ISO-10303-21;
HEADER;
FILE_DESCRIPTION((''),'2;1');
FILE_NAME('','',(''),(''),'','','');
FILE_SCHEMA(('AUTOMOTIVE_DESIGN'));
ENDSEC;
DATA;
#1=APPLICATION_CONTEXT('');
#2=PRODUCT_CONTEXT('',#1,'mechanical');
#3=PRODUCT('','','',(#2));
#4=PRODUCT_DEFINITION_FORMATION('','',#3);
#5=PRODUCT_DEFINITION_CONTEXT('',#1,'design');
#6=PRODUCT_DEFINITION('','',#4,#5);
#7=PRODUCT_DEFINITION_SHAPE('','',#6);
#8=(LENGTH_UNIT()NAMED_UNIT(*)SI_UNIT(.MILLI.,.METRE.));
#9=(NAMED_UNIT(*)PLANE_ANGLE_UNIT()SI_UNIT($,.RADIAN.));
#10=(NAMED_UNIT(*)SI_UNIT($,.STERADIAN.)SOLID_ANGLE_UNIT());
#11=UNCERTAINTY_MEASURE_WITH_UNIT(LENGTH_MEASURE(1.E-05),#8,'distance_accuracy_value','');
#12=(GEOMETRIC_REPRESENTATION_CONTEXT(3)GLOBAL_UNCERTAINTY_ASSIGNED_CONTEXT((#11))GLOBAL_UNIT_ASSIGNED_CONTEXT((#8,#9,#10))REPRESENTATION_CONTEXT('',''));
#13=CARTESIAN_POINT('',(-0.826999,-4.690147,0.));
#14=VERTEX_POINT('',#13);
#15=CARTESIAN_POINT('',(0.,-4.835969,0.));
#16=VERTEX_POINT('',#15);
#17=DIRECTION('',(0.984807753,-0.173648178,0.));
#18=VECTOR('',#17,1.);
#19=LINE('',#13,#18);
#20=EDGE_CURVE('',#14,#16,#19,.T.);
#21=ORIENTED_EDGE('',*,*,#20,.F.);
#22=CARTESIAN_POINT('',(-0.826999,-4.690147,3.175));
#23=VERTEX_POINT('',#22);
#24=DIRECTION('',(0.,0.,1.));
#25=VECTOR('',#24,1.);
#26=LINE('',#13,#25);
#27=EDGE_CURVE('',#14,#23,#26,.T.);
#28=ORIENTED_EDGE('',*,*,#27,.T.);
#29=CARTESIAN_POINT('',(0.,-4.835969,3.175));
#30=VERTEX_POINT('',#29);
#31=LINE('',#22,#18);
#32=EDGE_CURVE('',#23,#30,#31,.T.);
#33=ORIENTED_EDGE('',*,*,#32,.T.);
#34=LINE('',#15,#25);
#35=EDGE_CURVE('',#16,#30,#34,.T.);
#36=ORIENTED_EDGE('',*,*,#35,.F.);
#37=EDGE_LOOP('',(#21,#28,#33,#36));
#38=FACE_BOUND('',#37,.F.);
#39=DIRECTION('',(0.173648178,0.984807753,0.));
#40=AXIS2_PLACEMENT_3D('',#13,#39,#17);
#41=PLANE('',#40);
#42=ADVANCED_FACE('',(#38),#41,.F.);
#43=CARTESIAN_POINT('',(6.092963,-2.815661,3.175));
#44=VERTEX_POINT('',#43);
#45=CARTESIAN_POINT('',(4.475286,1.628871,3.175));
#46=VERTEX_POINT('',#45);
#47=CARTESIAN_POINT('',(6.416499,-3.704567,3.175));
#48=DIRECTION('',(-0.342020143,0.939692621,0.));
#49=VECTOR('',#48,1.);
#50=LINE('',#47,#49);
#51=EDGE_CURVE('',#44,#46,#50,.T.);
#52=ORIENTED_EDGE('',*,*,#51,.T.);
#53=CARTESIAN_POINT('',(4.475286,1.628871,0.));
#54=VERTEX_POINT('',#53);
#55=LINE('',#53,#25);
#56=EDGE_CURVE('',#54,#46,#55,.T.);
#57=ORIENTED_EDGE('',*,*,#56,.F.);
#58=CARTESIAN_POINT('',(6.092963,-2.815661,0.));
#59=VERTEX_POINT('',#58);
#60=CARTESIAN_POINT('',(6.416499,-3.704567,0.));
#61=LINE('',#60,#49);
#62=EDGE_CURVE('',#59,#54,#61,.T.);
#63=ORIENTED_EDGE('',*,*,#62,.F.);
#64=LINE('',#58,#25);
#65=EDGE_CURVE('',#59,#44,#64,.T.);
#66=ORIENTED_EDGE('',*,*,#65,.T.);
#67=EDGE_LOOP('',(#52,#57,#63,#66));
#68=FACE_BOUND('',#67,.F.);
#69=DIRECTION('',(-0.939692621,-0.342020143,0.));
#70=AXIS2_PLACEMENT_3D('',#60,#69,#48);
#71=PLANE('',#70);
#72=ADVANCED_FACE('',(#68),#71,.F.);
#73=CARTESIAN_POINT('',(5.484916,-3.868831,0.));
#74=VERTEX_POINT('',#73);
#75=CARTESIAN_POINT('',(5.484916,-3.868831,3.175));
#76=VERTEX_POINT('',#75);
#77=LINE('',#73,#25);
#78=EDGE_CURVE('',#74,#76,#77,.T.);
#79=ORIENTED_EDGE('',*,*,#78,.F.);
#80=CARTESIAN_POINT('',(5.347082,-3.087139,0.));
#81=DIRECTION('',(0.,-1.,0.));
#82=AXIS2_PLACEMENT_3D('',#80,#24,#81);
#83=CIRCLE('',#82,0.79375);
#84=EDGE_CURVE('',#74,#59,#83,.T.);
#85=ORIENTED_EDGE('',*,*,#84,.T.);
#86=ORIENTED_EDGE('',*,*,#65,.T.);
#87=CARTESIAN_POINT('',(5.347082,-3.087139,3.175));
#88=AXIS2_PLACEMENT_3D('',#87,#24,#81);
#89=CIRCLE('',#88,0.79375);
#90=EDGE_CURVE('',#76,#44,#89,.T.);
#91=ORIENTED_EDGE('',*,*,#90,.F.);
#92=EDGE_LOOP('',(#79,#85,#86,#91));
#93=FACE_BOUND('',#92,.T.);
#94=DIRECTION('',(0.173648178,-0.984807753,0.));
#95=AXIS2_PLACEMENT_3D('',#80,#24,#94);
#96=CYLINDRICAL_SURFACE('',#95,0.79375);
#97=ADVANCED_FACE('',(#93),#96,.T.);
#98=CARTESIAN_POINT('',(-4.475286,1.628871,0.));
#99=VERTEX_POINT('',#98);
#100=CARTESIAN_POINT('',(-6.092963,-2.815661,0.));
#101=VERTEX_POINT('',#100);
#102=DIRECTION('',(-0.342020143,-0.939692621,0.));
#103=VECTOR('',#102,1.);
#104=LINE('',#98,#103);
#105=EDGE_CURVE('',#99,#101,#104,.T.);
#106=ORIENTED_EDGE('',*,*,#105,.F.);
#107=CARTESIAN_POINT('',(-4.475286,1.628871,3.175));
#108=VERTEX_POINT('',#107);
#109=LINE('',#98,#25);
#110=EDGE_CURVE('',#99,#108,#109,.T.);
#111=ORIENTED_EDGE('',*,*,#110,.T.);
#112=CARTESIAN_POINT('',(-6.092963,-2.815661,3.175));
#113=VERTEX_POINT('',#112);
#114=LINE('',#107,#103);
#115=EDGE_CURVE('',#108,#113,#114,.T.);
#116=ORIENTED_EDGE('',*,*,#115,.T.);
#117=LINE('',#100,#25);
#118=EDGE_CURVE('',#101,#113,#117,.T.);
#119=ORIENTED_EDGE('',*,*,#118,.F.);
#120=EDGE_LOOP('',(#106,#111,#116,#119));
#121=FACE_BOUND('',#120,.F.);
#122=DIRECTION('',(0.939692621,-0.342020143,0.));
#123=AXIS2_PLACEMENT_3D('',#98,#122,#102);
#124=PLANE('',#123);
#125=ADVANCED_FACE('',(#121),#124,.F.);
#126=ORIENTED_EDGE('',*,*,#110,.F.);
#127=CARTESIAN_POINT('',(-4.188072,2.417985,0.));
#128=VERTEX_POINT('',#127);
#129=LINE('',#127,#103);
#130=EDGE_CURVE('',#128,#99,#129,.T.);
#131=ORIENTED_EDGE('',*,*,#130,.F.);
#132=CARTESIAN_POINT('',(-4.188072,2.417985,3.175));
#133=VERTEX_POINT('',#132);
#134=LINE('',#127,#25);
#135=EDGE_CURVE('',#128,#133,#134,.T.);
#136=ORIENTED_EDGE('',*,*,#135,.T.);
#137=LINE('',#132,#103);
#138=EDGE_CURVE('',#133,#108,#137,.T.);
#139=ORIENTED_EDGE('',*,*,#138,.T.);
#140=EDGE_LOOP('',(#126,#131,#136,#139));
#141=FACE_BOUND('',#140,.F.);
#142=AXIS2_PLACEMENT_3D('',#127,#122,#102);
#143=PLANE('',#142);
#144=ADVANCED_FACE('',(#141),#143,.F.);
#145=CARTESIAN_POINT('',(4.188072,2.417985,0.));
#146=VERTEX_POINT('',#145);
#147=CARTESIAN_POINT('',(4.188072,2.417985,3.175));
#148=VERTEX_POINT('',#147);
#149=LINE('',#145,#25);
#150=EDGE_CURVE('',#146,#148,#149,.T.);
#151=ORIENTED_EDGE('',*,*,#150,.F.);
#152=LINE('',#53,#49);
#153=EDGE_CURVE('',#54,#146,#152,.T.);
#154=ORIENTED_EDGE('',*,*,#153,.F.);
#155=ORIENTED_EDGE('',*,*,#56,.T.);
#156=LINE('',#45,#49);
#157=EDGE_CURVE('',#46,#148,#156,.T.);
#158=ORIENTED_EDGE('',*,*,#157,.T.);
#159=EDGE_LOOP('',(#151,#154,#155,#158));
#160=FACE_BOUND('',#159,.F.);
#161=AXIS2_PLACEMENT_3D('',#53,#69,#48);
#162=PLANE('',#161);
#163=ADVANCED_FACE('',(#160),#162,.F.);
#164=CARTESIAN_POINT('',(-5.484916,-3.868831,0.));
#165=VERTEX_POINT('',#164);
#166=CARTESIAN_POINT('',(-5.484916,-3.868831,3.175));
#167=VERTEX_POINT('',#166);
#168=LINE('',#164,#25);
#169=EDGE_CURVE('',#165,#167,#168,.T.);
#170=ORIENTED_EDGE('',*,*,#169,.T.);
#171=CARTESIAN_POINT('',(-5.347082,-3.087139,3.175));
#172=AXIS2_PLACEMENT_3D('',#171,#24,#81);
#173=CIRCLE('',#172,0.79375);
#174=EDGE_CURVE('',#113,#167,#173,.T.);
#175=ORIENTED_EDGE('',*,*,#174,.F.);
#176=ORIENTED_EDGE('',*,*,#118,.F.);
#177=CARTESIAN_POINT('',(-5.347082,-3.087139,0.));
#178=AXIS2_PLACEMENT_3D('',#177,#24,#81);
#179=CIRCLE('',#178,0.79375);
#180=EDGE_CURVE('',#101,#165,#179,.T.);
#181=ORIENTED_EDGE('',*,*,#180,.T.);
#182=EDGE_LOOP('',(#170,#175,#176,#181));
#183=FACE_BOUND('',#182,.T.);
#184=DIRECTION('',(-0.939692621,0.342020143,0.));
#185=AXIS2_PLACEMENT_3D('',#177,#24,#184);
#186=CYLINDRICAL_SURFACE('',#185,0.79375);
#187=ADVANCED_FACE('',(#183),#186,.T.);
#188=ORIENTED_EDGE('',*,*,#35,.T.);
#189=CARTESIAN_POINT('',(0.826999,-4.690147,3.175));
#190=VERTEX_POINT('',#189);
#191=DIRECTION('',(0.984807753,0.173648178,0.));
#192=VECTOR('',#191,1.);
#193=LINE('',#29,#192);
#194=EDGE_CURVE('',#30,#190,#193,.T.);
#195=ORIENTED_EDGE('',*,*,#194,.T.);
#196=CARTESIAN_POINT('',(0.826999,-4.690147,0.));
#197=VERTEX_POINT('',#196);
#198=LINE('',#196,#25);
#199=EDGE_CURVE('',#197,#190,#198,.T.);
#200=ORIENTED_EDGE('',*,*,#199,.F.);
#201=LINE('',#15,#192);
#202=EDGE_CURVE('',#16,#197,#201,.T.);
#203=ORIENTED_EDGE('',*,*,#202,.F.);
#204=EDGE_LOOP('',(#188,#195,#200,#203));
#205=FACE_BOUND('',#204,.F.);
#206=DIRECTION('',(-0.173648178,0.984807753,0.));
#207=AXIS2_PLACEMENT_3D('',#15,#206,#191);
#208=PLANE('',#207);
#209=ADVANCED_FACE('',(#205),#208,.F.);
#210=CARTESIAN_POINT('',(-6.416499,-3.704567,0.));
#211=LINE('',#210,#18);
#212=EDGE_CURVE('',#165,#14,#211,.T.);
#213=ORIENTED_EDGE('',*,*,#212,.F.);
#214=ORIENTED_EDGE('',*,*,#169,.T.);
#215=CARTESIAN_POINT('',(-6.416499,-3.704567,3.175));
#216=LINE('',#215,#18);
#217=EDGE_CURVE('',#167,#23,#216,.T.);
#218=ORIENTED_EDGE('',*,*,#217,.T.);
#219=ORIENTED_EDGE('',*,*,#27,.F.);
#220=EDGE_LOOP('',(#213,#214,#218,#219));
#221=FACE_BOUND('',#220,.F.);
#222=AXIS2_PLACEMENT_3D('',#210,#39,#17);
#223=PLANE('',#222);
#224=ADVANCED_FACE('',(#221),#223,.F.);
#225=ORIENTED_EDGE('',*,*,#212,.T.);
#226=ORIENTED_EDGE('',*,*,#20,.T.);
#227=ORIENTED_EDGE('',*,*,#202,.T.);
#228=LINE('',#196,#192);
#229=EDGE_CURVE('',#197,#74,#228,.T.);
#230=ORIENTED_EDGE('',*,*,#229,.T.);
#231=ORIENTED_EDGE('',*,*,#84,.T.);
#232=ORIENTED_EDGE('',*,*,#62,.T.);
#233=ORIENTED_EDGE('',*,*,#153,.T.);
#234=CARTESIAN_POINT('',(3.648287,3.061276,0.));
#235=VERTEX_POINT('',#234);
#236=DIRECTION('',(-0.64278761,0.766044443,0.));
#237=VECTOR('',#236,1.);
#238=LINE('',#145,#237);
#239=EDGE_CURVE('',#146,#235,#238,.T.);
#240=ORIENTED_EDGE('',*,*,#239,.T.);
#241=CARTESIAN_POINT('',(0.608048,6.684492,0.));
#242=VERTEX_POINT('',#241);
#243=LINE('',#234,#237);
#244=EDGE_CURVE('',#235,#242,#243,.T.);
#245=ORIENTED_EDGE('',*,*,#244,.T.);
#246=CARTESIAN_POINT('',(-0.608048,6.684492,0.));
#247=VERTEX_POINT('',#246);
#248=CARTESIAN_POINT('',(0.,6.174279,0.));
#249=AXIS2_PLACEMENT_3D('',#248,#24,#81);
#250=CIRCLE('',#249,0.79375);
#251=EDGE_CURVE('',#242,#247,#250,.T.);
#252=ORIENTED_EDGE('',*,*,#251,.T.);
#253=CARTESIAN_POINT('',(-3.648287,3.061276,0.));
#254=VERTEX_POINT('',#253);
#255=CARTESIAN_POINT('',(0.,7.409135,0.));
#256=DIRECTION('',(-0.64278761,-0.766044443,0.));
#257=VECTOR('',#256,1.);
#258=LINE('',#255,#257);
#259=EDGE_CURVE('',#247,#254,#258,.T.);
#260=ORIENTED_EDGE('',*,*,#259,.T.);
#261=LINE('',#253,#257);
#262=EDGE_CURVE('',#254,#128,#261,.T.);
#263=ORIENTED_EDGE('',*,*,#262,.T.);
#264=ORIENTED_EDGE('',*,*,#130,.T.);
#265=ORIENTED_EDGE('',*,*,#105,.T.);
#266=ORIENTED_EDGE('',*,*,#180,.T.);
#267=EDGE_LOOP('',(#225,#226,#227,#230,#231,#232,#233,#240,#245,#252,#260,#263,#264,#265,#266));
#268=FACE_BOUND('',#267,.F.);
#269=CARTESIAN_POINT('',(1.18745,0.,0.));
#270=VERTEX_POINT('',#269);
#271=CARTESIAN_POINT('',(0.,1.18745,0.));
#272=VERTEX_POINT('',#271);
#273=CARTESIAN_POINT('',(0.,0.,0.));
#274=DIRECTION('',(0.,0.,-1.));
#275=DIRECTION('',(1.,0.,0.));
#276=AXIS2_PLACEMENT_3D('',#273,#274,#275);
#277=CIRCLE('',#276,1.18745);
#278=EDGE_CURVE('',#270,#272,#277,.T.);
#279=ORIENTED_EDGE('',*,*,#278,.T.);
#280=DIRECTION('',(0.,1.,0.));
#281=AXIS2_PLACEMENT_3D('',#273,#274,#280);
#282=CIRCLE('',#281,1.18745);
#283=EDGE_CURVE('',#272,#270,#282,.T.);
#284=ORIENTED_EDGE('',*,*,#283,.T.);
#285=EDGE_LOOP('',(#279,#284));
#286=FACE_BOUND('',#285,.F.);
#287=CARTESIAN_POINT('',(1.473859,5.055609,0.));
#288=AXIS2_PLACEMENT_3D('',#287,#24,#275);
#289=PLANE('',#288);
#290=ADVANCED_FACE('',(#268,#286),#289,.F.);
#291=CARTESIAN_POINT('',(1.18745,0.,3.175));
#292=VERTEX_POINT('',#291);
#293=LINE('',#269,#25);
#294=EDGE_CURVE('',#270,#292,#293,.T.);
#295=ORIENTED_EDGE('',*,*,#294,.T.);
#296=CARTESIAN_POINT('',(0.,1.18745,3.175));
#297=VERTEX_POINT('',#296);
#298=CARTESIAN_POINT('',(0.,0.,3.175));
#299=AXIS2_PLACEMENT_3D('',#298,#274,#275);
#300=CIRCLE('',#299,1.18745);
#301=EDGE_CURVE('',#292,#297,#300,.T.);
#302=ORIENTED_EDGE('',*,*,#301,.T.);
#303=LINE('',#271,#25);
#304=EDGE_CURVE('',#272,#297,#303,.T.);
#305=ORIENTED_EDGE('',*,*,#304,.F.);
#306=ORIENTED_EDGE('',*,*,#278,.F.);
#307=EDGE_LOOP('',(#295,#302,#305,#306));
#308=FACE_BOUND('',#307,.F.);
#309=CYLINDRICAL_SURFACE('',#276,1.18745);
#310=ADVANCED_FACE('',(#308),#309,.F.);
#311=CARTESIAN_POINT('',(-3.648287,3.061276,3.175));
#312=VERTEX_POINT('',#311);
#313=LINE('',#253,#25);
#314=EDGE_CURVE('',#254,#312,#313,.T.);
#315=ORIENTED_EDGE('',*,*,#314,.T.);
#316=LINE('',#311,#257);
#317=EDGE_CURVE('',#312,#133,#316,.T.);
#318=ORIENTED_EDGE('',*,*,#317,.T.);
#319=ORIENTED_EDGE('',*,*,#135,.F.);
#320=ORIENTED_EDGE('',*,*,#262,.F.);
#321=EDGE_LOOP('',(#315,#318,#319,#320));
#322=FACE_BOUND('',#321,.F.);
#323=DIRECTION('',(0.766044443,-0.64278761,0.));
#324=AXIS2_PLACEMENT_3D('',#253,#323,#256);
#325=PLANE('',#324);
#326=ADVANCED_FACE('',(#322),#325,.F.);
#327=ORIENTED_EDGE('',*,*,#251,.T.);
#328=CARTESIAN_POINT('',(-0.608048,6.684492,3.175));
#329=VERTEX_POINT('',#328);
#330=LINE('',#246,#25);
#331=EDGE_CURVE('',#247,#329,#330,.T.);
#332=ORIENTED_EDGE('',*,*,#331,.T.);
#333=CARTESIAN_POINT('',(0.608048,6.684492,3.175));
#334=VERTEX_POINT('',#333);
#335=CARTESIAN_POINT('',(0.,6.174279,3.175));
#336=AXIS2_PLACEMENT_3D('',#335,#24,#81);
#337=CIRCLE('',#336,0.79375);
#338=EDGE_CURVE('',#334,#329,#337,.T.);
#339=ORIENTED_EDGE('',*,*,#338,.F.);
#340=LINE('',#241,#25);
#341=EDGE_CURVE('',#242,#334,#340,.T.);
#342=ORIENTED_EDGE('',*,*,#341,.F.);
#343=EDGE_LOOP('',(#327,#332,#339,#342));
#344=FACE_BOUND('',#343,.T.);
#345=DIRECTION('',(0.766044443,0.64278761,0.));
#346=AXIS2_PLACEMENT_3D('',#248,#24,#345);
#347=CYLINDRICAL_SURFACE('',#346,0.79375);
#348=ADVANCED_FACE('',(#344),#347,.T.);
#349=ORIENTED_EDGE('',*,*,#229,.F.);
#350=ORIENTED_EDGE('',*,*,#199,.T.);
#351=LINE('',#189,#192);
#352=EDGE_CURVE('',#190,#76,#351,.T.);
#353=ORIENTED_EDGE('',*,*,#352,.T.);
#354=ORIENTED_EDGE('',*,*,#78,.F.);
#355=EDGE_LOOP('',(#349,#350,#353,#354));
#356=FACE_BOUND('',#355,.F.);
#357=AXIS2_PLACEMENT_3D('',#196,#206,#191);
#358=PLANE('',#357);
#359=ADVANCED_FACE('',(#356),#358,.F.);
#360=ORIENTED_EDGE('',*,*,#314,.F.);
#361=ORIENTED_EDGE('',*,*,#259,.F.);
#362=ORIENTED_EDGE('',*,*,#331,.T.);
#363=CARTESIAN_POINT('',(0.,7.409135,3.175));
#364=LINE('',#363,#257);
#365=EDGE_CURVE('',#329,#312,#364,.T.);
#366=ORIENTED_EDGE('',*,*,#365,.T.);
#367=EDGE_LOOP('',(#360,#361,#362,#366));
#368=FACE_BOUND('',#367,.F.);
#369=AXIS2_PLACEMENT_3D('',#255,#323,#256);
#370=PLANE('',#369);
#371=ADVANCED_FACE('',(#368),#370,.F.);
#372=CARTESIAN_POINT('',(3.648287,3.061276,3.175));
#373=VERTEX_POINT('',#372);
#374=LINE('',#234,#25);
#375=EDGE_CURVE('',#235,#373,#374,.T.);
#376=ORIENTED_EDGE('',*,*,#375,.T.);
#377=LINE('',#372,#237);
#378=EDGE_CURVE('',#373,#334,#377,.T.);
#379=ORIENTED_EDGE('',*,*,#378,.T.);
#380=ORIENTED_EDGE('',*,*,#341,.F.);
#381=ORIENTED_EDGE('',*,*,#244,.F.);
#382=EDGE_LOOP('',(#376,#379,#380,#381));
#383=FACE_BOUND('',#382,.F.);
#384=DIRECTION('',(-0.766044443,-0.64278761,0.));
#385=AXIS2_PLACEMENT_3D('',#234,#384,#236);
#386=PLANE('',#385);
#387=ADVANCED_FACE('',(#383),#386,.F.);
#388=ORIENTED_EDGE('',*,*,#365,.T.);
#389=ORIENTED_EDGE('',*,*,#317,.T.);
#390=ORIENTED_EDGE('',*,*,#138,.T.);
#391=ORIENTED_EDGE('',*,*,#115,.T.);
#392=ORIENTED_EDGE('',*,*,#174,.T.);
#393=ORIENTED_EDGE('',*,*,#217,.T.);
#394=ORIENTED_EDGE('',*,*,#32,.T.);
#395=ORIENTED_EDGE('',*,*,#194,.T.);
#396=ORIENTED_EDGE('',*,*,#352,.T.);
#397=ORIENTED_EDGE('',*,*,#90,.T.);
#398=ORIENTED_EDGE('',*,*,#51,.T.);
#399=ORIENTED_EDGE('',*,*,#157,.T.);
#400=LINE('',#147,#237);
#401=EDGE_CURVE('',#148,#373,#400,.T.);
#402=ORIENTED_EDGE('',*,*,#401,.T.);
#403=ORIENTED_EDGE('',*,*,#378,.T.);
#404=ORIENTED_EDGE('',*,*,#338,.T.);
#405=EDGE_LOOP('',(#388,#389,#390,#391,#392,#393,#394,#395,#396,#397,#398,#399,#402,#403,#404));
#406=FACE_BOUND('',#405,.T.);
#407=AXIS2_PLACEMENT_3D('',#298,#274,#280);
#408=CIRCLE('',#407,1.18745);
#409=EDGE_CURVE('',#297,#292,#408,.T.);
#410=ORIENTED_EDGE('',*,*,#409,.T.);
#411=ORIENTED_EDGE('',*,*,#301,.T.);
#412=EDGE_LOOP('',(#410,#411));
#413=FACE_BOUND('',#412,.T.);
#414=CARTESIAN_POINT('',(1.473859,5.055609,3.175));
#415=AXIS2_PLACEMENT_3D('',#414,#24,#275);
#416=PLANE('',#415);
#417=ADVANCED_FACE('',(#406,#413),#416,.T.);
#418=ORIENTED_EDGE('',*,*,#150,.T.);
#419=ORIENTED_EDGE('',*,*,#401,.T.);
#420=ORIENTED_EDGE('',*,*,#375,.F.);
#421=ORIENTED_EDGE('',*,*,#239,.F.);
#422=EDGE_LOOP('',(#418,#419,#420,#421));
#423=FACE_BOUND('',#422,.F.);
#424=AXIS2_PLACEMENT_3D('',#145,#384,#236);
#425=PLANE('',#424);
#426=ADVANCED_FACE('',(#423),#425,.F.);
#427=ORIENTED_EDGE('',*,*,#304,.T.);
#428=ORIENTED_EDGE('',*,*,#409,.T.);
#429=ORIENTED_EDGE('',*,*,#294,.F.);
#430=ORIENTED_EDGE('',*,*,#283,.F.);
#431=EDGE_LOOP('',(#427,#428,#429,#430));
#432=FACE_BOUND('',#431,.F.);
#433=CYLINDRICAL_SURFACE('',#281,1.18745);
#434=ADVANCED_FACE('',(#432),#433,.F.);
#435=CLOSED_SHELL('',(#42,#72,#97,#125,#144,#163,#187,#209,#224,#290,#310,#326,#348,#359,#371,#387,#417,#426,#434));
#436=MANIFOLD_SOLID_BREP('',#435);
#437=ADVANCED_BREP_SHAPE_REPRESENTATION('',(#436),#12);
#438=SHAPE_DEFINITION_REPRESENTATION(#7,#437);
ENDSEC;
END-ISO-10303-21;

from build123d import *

# Parameters (mm, degrees)
F1_DEPTH = 3.175
F2_R     = 0.79375


with BuildPart() as f1:
    # F0 (on Top) → F1 (new body)
    with BuildSketch(Plane.XY):
        with BuildLine():
            ThreePointArc((0, 4.7625), (2.0127194988, 4.316290823), (3.648286699, 3.061275945))
            Line((3.648286699, 3.061275945), (0, 7.4091347254))
            Line((0, 7.4091347254), (0, 4.7625))
        make_face()
        with BuildLine():
            ThreePointArc((-3.6482866444, 3.0612760102), (-2.0127194603, 4.316290841), (0, 4.7625))
            Line((0, 4.7625), (0, 7.4091347254))
            Line((0, 7.4091347254), (-3.6482866444, 3.0612760102))
        make_face()
        with BuildLine():
            ThreePointArc((0.8269994491, -4.6901469232), (3.6482866613, -3.06127599), (4.7625, 0))
            ThreePointArc((4.7625, 0), (4.6901469251, 0.8269994386), (4.4752861117, 1.6288709182))
            ThreePointArc((4.4752861117, 1.6288709182), (4.1244460044, 2.3812499673), (3.648286699, 3.061275945))
            ThreePointArc((3.648286699, 3.061275945), (2.0127194988, 4.316290823), (0, 4.7625))
            ThreePointArc((0, 4.7625), (-2.0127194603, 4.316290841), (-3.6482866444, 3.0612760102))
            ThreePointArc((-3.6482866444, 3.0612760102), (-4.1244459867, 2.3812499979), (-4.4752861166, 1.6288709047))
            ThreePointArc((-4.4752861166, 1.6288709047), (-4.1244459762, -2.3812500162), (-0.8269994386, -4.6901469251))
            ThreePointArc((-0.8269994386, -4.6901469251), (5.3e-09, -4.7625), (0.8269994491, -4.6901469232))
        make_face()
        with BuildLine():
            ThreePointArc((1.18745, 0), (-0.8396539473, -0.8396539473), (0, 1.18745))
            ThreePointArc((0, 1.18745), (0.8396539473, 0.8396539473), (1.18745, 0))
        make_face(mode=Mode.SUBTRACT)
        with BuildLine():
            ThreePointArc((4.4752861117, 1.6288709182), (4.6901469251, 0.8269994386), (4.7625, 0))
            ThreePointArc((4.7625, 0), (3.6482866613, -3.06127599), (0.8269994491, -4.6901469232))
            Line((0.8269994491, -4.6901469232), (6.4164988923, -3.7045673627))
            Line((6.4164988923, -3.7045673627), (4.4752861117, 1.6288709182))
        make_face()
        with BuildLine():
            Line((-6.4164988923, -3.7045673627), (-0.8269994386, -4.6901469251))
            ThreePointArc((-0.8269994386, -4.6901469251), (-4.1244459762, -2.3812500162), (-4.4752861166, 1.6288709047))
            Line((-4.4752861166, 1.6288709047), (-6.4164988923, -3.7045673627))
        make_face()
        with BuildLine():
            ThreePointArc((3.648286699, 3.061275945), (4.1244460044, 2.3812499673), (4.4752861117, 1.6288709182))
            Line((4.4752861117, 1.6288709182), (4.188072213, 2.4179846196))
            Line((4.188072213, 2.4179846196), (3.648286699, 3.061275945))
        make_face()
        with BuildLine():
            Line((-4.188072213, 2.4179846196), (-4.4752861166, 1.6288709047))
            ThreePointArc((-4.4752861166, 1.6288709047), (-4.1244459867, 2.3812499979), (-3.6482866444, 3.0612760102))
            Line((-3.6482866444, 3.0612760102), (-4.188072213, 2.4179846196))
        make_face()
        with BuildLine():
            Line((0, -4.8359692391), (0.8269994491, -4.6901469232))
            ThreePointArc((0.8269994491, -4.6901469232), (5.3e-09, -4.7625), (-0.8269994386, -4.6901469251))
            Line((-0.8269994386, -4.6901469251), (0, -4.8359692391))
        make_face()
    extrude(amount=F1_DEPTH)

    # F2
    f2_edges = [f1.edges().sort_by_distance(p)[0] for p in [
        (0, 7.409135, 1.5875),
        (-6.416499, -3.704567, 1.5875),
        (6.416499, -3.704567, 1.5875),
    ]]
    fillet(f2_edges, radius=F2_R)


solid = f1.part
